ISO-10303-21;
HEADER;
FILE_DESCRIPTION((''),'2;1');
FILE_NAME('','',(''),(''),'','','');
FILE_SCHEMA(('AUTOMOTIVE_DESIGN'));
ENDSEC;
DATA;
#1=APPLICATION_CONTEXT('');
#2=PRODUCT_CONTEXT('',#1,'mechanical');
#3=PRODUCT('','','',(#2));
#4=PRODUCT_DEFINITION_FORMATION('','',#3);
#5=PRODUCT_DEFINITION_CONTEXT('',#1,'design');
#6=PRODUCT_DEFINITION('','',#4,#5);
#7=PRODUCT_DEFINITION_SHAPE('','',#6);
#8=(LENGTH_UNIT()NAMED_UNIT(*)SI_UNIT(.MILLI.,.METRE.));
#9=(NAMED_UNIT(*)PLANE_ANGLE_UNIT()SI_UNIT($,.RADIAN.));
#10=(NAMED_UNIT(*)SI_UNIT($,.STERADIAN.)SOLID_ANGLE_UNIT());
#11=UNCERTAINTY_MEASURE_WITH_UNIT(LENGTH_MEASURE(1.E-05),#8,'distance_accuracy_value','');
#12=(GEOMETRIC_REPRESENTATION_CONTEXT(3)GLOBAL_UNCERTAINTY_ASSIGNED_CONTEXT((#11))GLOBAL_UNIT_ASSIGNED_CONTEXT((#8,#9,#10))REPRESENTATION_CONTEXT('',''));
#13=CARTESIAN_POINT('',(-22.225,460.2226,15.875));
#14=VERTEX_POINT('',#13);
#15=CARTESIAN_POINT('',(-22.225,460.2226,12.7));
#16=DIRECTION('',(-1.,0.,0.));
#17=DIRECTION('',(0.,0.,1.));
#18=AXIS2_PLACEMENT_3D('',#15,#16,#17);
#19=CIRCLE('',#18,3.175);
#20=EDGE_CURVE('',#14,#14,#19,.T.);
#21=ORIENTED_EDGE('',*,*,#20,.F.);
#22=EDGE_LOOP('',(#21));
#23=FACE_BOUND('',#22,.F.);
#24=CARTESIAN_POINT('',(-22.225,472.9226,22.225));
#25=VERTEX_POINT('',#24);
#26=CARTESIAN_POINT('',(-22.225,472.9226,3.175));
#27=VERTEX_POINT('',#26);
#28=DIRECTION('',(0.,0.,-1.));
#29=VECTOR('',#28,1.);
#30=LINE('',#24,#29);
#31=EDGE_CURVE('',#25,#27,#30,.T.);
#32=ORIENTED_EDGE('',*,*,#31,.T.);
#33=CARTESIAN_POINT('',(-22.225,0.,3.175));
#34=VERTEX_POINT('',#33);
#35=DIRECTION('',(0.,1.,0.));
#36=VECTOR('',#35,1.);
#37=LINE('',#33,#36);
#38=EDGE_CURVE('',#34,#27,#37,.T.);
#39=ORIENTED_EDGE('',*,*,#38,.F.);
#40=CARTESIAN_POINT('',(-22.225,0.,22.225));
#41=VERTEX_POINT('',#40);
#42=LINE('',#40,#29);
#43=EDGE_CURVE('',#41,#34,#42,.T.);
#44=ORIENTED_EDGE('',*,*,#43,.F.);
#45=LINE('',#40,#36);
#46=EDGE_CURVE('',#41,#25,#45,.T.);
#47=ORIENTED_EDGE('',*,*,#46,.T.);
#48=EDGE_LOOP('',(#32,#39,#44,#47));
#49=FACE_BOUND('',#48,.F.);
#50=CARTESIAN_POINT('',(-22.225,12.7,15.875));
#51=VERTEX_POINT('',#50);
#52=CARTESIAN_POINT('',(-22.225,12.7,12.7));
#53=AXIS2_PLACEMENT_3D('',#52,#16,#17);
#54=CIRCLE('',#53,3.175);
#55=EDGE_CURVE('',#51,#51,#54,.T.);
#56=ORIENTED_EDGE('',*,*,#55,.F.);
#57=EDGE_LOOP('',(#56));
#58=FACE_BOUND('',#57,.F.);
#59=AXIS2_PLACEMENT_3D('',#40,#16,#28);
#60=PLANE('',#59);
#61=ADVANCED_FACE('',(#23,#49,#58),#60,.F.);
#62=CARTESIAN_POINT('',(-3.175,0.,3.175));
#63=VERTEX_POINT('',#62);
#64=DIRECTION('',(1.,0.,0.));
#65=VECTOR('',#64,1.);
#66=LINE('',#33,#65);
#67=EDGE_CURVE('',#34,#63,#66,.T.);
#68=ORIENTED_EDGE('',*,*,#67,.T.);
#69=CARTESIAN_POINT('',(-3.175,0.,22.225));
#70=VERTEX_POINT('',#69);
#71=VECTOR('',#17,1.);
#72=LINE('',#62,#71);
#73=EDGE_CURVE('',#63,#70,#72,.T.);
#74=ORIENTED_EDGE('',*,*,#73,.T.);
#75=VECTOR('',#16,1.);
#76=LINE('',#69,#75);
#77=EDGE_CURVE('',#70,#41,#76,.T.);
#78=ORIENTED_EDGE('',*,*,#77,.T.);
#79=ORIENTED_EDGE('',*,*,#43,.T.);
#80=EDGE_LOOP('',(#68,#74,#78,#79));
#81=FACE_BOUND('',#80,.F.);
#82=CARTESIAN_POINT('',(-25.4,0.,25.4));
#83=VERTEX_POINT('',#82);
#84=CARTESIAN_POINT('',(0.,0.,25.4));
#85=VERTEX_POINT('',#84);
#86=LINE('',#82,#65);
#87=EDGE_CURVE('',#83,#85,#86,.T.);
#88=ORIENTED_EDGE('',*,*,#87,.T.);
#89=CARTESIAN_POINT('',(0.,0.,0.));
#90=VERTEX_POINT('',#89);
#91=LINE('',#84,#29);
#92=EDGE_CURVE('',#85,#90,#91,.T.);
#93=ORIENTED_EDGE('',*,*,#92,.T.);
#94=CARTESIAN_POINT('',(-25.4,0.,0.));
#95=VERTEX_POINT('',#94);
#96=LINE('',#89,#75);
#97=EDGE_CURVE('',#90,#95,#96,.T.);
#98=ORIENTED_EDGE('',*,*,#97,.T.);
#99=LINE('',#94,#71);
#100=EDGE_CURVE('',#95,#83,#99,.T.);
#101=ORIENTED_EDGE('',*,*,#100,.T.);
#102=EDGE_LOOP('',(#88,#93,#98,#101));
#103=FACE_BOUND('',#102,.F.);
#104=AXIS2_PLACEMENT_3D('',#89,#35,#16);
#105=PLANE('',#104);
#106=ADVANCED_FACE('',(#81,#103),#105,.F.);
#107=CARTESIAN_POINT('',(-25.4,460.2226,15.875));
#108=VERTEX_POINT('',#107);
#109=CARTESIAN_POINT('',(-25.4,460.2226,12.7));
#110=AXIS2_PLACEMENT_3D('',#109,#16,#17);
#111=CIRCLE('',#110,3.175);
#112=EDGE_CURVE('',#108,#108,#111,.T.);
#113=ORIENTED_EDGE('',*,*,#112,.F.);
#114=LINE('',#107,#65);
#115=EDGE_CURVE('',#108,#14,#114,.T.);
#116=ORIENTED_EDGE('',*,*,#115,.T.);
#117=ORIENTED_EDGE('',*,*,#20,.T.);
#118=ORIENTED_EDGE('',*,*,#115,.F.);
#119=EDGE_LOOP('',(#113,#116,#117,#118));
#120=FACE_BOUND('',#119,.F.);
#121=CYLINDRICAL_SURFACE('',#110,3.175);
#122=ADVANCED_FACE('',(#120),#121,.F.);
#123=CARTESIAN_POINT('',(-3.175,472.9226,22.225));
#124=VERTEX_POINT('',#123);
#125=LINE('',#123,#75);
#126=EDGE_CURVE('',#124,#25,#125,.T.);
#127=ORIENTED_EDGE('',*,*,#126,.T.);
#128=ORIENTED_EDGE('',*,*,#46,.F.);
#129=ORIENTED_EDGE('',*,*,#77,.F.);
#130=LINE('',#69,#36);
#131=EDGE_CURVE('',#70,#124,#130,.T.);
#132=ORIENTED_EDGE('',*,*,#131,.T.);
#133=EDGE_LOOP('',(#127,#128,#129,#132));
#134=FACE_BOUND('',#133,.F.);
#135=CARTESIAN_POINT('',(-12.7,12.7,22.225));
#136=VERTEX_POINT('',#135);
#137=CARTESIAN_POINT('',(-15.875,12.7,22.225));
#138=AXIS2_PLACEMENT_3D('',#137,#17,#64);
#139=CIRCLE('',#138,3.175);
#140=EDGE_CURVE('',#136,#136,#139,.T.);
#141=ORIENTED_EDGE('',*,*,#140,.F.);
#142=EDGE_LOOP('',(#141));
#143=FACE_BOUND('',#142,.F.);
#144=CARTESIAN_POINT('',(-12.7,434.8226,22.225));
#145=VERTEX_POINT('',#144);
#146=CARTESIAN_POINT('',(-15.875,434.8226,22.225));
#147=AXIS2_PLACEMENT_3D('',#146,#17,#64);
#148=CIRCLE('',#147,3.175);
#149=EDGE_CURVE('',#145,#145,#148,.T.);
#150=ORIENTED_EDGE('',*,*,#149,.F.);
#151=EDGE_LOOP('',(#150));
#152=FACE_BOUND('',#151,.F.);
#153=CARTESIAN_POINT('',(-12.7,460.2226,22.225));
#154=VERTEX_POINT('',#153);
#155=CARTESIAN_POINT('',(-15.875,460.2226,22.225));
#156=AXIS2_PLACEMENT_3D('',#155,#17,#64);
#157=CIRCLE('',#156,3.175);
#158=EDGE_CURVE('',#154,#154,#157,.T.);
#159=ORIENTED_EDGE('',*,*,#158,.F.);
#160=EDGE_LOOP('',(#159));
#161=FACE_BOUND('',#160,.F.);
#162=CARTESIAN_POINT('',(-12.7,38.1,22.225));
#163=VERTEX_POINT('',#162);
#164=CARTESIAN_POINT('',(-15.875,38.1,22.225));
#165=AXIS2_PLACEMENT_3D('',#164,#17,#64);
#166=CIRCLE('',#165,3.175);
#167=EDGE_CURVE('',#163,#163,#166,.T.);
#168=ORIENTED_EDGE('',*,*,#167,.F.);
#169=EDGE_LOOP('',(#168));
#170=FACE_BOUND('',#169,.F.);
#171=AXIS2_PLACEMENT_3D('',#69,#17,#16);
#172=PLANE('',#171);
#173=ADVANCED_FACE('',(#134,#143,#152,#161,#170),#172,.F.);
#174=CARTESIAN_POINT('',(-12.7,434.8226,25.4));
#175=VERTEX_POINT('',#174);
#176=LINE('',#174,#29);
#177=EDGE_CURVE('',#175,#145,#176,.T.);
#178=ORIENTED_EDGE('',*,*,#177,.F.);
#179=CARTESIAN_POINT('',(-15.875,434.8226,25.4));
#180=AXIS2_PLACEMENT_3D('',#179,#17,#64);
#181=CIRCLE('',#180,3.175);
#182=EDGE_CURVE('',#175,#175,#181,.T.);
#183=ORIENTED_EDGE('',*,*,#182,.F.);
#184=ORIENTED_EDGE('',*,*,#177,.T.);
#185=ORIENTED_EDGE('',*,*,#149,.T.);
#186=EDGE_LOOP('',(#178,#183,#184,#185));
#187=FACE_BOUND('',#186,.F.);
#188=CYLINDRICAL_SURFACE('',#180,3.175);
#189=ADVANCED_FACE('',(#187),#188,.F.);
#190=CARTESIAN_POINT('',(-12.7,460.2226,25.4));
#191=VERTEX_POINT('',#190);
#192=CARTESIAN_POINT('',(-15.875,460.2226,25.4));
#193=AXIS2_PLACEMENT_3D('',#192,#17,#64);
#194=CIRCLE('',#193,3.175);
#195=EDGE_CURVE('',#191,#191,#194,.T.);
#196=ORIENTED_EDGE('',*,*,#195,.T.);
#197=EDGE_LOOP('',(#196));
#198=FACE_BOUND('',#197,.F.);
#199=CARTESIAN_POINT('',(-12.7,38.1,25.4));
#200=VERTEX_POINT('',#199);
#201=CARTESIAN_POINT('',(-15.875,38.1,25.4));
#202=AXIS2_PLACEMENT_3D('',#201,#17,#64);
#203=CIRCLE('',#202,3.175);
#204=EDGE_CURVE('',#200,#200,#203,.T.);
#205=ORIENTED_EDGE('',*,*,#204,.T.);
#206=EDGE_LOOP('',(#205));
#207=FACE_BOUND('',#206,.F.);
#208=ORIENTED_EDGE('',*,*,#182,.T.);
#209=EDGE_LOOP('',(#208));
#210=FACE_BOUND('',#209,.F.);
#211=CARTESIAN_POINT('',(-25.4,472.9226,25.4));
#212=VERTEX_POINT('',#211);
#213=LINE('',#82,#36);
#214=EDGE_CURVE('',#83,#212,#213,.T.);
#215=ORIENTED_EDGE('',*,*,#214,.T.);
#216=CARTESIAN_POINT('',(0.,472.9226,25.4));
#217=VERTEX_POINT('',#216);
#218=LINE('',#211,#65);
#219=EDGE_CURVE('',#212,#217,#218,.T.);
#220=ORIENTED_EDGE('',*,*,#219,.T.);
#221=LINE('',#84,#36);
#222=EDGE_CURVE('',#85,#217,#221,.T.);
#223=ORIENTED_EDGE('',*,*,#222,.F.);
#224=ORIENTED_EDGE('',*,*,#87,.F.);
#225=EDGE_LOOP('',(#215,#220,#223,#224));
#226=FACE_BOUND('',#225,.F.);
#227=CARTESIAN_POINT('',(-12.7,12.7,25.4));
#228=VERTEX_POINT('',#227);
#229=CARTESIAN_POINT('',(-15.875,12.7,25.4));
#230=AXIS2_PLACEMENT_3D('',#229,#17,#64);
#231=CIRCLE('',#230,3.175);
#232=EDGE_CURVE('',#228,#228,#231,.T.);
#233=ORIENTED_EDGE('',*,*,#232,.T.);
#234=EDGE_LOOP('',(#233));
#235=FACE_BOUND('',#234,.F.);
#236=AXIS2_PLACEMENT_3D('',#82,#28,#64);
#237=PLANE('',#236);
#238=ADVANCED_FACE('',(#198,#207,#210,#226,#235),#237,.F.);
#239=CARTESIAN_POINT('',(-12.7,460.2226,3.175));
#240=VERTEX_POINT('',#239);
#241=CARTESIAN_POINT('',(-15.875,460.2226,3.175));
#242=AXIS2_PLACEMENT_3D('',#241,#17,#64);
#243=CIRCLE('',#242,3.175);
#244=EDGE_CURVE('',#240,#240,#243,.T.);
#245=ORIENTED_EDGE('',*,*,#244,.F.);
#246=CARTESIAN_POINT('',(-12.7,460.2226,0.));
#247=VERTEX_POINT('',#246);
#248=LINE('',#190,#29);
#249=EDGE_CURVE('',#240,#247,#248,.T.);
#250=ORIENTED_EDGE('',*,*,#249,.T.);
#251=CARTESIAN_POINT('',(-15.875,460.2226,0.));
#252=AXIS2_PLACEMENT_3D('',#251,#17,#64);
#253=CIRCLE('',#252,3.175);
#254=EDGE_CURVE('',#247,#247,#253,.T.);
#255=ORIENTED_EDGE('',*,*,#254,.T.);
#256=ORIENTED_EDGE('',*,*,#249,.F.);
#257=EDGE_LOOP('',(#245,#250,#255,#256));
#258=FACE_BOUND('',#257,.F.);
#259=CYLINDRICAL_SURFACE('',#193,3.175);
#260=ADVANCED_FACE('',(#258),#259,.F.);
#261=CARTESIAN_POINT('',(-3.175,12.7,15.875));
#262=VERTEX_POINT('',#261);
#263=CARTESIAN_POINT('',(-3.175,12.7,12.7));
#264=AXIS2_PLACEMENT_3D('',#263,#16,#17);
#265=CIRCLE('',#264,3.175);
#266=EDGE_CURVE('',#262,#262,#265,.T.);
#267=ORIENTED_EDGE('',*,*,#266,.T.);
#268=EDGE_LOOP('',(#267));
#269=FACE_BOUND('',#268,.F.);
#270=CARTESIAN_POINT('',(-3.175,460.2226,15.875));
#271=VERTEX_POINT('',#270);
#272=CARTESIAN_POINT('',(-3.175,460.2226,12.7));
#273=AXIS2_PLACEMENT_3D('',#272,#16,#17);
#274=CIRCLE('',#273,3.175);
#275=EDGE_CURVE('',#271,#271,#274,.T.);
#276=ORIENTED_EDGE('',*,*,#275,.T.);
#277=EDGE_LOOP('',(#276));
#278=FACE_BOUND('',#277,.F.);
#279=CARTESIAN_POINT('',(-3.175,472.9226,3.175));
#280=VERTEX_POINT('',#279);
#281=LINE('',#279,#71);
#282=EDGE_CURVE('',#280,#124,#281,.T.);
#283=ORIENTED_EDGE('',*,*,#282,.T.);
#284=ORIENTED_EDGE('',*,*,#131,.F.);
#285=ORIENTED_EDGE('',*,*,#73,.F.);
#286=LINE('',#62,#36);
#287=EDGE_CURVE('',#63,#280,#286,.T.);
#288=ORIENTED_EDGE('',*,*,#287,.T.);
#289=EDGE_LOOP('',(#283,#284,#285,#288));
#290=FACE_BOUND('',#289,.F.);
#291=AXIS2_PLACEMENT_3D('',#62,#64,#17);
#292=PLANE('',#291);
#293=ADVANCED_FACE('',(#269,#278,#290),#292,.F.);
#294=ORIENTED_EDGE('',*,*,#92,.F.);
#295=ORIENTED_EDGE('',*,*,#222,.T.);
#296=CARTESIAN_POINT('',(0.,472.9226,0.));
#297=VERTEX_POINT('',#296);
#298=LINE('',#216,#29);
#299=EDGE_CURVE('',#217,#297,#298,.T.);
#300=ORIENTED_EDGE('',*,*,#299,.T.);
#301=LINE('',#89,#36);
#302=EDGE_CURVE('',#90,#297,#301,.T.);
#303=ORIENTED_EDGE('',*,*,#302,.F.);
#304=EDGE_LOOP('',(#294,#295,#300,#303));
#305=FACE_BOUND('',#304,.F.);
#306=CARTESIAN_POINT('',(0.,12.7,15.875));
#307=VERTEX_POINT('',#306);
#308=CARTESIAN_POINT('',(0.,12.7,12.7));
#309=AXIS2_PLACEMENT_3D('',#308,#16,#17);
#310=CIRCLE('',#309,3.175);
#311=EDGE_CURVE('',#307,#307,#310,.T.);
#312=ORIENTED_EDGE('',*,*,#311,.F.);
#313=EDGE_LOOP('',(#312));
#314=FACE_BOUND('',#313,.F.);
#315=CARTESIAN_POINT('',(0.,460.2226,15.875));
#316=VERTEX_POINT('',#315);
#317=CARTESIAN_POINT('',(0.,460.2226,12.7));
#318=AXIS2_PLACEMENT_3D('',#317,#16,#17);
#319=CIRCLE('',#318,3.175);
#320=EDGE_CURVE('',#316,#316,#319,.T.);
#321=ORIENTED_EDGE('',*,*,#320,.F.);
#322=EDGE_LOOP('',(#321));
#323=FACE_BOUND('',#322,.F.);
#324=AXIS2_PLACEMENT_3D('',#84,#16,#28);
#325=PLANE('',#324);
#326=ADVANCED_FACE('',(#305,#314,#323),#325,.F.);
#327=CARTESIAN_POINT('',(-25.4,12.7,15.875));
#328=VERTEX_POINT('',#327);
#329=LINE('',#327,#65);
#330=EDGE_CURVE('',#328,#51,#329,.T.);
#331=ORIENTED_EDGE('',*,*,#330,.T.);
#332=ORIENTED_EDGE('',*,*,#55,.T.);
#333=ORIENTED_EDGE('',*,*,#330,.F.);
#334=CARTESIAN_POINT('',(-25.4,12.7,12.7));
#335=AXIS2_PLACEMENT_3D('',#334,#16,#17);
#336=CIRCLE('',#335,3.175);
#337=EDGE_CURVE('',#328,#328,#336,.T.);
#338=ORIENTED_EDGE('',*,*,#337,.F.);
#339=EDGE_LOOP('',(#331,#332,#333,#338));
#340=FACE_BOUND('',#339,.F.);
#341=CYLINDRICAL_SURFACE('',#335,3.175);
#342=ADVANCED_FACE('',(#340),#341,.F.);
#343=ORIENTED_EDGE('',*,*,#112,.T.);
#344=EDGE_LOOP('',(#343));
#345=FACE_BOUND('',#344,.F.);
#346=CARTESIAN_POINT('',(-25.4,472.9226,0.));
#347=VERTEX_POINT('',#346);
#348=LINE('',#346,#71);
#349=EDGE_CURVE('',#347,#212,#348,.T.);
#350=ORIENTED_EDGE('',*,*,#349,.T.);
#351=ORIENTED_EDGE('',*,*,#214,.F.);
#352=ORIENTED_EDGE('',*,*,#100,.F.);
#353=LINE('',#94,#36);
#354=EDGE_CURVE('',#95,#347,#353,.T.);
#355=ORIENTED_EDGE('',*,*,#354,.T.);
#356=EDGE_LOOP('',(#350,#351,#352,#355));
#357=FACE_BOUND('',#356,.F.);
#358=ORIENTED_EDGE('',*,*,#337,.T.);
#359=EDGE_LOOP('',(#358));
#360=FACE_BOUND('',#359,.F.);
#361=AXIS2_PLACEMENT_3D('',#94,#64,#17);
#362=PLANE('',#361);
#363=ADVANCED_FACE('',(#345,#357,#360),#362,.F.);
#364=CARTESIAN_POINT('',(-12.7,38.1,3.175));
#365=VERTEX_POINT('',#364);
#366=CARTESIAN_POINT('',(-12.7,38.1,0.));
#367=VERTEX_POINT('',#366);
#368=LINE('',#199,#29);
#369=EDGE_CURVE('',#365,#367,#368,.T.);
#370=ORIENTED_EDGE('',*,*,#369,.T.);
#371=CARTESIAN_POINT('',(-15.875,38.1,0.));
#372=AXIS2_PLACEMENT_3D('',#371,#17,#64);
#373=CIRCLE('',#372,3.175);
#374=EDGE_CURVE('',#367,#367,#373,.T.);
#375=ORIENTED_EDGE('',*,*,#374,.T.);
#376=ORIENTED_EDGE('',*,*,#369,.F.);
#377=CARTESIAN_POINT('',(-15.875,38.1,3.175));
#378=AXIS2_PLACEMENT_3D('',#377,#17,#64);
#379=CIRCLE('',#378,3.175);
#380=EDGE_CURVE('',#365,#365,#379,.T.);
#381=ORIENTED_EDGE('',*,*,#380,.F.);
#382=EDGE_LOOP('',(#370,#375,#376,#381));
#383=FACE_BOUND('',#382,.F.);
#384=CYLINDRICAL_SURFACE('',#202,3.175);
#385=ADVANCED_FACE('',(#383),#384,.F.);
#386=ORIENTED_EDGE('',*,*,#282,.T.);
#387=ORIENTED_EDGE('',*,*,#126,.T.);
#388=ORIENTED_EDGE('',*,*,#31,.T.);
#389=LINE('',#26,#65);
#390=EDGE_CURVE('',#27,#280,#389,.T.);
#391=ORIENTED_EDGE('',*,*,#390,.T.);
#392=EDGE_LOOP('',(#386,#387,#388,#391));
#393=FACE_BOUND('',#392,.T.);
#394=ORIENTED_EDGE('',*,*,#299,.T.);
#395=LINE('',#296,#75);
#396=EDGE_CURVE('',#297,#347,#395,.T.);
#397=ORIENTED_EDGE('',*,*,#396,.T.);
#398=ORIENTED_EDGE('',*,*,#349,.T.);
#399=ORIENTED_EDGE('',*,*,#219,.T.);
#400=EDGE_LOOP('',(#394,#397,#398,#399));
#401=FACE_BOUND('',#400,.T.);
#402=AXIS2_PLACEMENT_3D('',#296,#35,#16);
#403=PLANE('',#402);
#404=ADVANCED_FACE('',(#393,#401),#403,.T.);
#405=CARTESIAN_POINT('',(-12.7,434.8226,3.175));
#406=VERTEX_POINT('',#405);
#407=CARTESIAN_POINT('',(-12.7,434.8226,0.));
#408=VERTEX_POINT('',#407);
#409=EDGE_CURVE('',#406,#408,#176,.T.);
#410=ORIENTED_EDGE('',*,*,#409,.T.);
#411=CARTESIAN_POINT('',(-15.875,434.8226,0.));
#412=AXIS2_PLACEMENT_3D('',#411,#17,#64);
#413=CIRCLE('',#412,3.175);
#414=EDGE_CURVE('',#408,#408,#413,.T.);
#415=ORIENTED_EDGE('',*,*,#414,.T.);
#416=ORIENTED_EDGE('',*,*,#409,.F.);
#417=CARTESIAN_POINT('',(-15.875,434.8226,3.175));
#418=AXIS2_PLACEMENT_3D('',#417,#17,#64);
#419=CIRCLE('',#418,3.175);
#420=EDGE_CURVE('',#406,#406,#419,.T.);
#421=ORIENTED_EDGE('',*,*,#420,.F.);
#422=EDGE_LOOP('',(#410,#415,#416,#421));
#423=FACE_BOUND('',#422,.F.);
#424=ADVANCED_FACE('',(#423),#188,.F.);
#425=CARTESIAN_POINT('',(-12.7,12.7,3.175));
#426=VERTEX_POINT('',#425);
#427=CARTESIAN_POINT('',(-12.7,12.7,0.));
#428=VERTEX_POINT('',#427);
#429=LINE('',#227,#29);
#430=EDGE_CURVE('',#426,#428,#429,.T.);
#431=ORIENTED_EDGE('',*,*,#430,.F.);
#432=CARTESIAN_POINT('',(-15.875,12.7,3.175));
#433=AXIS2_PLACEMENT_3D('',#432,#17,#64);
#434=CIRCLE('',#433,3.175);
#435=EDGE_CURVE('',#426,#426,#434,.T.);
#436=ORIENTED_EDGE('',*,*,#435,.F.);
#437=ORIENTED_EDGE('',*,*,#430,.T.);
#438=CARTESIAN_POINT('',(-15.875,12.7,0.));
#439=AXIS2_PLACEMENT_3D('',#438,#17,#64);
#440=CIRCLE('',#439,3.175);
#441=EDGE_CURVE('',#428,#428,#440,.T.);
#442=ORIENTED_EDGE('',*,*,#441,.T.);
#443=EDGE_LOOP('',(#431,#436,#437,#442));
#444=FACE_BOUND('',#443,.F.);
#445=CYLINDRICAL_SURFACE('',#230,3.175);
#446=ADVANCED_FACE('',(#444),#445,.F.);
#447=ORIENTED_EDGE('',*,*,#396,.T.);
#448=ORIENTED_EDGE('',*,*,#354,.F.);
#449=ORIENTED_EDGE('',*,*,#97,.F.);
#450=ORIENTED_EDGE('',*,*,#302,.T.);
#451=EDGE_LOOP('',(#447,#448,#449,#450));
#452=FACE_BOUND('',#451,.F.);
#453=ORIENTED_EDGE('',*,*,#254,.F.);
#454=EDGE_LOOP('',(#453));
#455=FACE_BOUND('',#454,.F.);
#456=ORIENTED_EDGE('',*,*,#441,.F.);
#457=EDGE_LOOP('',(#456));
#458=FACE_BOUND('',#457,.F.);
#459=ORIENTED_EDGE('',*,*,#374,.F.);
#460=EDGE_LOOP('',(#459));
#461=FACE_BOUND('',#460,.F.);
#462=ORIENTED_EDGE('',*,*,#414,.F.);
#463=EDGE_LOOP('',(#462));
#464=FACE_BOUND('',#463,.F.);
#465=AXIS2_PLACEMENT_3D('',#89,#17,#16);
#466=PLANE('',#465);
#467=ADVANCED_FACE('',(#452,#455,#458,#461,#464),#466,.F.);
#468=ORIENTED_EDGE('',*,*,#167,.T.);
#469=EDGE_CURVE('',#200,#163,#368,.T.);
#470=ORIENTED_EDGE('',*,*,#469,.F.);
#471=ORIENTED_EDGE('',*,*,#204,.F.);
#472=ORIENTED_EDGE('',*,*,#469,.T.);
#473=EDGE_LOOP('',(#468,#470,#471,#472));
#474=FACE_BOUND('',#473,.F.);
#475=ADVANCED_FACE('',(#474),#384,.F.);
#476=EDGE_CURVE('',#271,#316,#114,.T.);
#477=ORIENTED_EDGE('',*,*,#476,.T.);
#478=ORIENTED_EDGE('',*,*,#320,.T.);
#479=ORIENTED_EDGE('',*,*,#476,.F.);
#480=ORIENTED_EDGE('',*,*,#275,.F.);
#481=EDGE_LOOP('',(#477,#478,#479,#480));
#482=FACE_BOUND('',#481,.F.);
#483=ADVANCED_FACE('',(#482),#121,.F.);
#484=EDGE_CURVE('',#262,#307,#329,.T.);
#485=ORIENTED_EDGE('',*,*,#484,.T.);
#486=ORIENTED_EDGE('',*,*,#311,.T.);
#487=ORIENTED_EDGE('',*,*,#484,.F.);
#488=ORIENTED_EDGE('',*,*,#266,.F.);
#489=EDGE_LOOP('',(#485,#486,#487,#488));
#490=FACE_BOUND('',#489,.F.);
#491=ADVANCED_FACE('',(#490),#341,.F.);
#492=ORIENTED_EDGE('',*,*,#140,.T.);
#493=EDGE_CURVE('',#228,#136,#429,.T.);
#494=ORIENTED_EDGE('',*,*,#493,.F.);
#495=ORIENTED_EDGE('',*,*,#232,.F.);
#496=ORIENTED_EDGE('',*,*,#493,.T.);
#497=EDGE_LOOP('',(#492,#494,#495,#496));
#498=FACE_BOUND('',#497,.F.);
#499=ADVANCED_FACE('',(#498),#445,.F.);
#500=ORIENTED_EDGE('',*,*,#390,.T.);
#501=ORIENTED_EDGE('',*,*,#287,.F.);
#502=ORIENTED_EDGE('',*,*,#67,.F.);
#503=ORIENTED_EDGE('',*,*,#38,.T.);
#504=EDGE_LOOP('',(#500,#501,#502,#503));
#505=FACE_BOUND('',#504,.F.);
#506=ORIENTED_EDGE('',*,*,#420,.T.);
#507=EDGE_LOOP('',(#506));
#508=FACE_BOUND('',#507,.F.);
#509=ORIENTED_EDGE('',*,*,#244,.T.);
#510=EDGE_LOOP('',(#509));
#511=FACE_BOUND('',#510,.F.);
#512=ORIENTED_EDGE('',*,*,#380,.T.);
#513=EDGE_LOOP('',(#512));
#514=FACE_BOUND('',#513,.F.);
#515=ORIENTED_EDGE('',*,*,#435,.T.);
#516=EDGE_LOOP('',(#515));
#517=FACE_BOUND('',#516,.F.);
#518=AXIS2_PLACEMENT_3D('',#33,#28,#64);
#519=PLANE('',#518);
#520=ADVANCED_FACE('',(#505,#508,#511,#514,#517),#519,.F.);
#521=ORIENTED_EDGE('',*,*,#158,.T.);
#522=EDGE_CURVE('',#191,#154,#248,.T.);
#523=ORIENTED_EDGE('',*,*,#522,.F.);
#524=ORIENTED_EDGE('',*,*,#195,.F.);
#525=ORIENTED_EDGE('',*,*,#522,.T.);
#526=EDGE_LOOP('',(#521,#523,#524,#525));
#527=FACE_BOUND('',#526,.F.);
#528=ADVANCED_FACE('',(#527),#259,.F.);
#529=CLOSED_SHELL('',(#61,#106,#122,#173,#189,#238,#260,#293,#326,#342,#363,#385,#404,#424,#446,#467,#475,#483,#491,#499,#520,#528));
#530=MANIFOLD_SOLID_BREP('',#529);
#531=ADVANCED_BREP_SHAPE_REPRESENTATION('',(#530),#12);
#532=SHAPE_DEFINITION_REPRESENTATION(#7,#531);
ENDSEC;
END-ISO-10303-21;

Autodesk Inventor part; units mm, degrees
ref_plane "YZ Plane" through (0, 0, 0) normal (1, 0, 0) x (0, 1, 0)
ref_plane "XZ Plane" through (0, 0, 0) normal (0, 1, 0) x (-1, 0, 0)
ref_plane "XY Plane" through (0, 0, 0) normal (0, 0, 1) x (1, 0, 0)
sketch "Sketch1" plane through (0, 0, 0) normal (0, 1, 0) x (-1, 0, 0)
  line L0 (0, 0) -> (25.4, 0)
  line L1 (25.4, 0) -> (25.4, 25.4)
  line L2 (25.4, 25.4) -> (0, 25.4)
  line L3 (0, 25.4) -> (0, 0)
  line L4 (22.225, 22.225) -> (22.225, 3.175)
  line L5 (22.225, 3.175) -> (3.175, 3.175)
  line L6 (3.175, 3.175) -> (3.175, 22.225)
  line L7 (3.175, 22.225) -> (22.225, 22.225)
  dimension "d0" = 25.4
  dimension "d1" = 25.4
  dimension "d2" = 3.175
extrude "Extrusion1" add sketch "Sketch1" along normal blind 472.9226
sketch "Sketch2" plane through (-25.4, 0, 0) normal (-1, 0, 0) x (0, 0, 1)
  circle A0 centre (12.7, 12.7) radius 3.175
  circle A1 centre (12.7, 460.2226) radius 3.175
  line L0 (22.225, 472.9226) -> (3.175, 472.9226) projected
  line L1 (25.4, 0) -> (25.4, 472.9226) projected
  line L2 (25.4, 0) -> (25.4, 472.9226) projected
  line L3 (0, 0) -> (25.4, 0) projected
  dimension "d5" = 6.35
  dimension "d6" = 6.35
  dimension "d7" = 12.7
  dimension "d8" = 12.7
  dimension "d9" = 12.7
  dimension "d10" = 12.7
extrude "Extrusion2" cut sketch "Sketch2" against normal blind 25.4
sketch "Sketch3" plane through (-25.4, 0, 25.4) normal (0, 0, 1) x (1, 0, 0)
  circle A0 centre (9.525, 460.2226) radius 3.175
  circle A1 centre (9.525, 434.8226) radius 3.175
  line L0 (0, 472.9226) -> (25.4, 472.9226) projected
  line L1 (0, 0) -> (0, 472.9226) projected
  circle A2 centre (9.525, 12.7) radius 3.175
  circle A3 centre (9.525, 38.1) radius 3.175
  line L2 (0, 0) -> (25.4, 0) projected
  dimension "d13" = 12.7
  dimension "d14" = 9.525
  dimension "d15" = 9.525
  dimension "d16" = 6.35
  dimension "d17" = 38.1
  dimension "d18" = 6.35
  dimension "d19" = 6.35
  dimension "d20" = 9.525
  dimension "d21" = 9.525
  dimension "d22" = 38.1
  dimension "d23" = 12.7
extrude "Extrusion3" cut sketch "Sketch3" against normal blind 25.4
properties part number "15102898-16-P-0206" material "Aluminum 6061"
